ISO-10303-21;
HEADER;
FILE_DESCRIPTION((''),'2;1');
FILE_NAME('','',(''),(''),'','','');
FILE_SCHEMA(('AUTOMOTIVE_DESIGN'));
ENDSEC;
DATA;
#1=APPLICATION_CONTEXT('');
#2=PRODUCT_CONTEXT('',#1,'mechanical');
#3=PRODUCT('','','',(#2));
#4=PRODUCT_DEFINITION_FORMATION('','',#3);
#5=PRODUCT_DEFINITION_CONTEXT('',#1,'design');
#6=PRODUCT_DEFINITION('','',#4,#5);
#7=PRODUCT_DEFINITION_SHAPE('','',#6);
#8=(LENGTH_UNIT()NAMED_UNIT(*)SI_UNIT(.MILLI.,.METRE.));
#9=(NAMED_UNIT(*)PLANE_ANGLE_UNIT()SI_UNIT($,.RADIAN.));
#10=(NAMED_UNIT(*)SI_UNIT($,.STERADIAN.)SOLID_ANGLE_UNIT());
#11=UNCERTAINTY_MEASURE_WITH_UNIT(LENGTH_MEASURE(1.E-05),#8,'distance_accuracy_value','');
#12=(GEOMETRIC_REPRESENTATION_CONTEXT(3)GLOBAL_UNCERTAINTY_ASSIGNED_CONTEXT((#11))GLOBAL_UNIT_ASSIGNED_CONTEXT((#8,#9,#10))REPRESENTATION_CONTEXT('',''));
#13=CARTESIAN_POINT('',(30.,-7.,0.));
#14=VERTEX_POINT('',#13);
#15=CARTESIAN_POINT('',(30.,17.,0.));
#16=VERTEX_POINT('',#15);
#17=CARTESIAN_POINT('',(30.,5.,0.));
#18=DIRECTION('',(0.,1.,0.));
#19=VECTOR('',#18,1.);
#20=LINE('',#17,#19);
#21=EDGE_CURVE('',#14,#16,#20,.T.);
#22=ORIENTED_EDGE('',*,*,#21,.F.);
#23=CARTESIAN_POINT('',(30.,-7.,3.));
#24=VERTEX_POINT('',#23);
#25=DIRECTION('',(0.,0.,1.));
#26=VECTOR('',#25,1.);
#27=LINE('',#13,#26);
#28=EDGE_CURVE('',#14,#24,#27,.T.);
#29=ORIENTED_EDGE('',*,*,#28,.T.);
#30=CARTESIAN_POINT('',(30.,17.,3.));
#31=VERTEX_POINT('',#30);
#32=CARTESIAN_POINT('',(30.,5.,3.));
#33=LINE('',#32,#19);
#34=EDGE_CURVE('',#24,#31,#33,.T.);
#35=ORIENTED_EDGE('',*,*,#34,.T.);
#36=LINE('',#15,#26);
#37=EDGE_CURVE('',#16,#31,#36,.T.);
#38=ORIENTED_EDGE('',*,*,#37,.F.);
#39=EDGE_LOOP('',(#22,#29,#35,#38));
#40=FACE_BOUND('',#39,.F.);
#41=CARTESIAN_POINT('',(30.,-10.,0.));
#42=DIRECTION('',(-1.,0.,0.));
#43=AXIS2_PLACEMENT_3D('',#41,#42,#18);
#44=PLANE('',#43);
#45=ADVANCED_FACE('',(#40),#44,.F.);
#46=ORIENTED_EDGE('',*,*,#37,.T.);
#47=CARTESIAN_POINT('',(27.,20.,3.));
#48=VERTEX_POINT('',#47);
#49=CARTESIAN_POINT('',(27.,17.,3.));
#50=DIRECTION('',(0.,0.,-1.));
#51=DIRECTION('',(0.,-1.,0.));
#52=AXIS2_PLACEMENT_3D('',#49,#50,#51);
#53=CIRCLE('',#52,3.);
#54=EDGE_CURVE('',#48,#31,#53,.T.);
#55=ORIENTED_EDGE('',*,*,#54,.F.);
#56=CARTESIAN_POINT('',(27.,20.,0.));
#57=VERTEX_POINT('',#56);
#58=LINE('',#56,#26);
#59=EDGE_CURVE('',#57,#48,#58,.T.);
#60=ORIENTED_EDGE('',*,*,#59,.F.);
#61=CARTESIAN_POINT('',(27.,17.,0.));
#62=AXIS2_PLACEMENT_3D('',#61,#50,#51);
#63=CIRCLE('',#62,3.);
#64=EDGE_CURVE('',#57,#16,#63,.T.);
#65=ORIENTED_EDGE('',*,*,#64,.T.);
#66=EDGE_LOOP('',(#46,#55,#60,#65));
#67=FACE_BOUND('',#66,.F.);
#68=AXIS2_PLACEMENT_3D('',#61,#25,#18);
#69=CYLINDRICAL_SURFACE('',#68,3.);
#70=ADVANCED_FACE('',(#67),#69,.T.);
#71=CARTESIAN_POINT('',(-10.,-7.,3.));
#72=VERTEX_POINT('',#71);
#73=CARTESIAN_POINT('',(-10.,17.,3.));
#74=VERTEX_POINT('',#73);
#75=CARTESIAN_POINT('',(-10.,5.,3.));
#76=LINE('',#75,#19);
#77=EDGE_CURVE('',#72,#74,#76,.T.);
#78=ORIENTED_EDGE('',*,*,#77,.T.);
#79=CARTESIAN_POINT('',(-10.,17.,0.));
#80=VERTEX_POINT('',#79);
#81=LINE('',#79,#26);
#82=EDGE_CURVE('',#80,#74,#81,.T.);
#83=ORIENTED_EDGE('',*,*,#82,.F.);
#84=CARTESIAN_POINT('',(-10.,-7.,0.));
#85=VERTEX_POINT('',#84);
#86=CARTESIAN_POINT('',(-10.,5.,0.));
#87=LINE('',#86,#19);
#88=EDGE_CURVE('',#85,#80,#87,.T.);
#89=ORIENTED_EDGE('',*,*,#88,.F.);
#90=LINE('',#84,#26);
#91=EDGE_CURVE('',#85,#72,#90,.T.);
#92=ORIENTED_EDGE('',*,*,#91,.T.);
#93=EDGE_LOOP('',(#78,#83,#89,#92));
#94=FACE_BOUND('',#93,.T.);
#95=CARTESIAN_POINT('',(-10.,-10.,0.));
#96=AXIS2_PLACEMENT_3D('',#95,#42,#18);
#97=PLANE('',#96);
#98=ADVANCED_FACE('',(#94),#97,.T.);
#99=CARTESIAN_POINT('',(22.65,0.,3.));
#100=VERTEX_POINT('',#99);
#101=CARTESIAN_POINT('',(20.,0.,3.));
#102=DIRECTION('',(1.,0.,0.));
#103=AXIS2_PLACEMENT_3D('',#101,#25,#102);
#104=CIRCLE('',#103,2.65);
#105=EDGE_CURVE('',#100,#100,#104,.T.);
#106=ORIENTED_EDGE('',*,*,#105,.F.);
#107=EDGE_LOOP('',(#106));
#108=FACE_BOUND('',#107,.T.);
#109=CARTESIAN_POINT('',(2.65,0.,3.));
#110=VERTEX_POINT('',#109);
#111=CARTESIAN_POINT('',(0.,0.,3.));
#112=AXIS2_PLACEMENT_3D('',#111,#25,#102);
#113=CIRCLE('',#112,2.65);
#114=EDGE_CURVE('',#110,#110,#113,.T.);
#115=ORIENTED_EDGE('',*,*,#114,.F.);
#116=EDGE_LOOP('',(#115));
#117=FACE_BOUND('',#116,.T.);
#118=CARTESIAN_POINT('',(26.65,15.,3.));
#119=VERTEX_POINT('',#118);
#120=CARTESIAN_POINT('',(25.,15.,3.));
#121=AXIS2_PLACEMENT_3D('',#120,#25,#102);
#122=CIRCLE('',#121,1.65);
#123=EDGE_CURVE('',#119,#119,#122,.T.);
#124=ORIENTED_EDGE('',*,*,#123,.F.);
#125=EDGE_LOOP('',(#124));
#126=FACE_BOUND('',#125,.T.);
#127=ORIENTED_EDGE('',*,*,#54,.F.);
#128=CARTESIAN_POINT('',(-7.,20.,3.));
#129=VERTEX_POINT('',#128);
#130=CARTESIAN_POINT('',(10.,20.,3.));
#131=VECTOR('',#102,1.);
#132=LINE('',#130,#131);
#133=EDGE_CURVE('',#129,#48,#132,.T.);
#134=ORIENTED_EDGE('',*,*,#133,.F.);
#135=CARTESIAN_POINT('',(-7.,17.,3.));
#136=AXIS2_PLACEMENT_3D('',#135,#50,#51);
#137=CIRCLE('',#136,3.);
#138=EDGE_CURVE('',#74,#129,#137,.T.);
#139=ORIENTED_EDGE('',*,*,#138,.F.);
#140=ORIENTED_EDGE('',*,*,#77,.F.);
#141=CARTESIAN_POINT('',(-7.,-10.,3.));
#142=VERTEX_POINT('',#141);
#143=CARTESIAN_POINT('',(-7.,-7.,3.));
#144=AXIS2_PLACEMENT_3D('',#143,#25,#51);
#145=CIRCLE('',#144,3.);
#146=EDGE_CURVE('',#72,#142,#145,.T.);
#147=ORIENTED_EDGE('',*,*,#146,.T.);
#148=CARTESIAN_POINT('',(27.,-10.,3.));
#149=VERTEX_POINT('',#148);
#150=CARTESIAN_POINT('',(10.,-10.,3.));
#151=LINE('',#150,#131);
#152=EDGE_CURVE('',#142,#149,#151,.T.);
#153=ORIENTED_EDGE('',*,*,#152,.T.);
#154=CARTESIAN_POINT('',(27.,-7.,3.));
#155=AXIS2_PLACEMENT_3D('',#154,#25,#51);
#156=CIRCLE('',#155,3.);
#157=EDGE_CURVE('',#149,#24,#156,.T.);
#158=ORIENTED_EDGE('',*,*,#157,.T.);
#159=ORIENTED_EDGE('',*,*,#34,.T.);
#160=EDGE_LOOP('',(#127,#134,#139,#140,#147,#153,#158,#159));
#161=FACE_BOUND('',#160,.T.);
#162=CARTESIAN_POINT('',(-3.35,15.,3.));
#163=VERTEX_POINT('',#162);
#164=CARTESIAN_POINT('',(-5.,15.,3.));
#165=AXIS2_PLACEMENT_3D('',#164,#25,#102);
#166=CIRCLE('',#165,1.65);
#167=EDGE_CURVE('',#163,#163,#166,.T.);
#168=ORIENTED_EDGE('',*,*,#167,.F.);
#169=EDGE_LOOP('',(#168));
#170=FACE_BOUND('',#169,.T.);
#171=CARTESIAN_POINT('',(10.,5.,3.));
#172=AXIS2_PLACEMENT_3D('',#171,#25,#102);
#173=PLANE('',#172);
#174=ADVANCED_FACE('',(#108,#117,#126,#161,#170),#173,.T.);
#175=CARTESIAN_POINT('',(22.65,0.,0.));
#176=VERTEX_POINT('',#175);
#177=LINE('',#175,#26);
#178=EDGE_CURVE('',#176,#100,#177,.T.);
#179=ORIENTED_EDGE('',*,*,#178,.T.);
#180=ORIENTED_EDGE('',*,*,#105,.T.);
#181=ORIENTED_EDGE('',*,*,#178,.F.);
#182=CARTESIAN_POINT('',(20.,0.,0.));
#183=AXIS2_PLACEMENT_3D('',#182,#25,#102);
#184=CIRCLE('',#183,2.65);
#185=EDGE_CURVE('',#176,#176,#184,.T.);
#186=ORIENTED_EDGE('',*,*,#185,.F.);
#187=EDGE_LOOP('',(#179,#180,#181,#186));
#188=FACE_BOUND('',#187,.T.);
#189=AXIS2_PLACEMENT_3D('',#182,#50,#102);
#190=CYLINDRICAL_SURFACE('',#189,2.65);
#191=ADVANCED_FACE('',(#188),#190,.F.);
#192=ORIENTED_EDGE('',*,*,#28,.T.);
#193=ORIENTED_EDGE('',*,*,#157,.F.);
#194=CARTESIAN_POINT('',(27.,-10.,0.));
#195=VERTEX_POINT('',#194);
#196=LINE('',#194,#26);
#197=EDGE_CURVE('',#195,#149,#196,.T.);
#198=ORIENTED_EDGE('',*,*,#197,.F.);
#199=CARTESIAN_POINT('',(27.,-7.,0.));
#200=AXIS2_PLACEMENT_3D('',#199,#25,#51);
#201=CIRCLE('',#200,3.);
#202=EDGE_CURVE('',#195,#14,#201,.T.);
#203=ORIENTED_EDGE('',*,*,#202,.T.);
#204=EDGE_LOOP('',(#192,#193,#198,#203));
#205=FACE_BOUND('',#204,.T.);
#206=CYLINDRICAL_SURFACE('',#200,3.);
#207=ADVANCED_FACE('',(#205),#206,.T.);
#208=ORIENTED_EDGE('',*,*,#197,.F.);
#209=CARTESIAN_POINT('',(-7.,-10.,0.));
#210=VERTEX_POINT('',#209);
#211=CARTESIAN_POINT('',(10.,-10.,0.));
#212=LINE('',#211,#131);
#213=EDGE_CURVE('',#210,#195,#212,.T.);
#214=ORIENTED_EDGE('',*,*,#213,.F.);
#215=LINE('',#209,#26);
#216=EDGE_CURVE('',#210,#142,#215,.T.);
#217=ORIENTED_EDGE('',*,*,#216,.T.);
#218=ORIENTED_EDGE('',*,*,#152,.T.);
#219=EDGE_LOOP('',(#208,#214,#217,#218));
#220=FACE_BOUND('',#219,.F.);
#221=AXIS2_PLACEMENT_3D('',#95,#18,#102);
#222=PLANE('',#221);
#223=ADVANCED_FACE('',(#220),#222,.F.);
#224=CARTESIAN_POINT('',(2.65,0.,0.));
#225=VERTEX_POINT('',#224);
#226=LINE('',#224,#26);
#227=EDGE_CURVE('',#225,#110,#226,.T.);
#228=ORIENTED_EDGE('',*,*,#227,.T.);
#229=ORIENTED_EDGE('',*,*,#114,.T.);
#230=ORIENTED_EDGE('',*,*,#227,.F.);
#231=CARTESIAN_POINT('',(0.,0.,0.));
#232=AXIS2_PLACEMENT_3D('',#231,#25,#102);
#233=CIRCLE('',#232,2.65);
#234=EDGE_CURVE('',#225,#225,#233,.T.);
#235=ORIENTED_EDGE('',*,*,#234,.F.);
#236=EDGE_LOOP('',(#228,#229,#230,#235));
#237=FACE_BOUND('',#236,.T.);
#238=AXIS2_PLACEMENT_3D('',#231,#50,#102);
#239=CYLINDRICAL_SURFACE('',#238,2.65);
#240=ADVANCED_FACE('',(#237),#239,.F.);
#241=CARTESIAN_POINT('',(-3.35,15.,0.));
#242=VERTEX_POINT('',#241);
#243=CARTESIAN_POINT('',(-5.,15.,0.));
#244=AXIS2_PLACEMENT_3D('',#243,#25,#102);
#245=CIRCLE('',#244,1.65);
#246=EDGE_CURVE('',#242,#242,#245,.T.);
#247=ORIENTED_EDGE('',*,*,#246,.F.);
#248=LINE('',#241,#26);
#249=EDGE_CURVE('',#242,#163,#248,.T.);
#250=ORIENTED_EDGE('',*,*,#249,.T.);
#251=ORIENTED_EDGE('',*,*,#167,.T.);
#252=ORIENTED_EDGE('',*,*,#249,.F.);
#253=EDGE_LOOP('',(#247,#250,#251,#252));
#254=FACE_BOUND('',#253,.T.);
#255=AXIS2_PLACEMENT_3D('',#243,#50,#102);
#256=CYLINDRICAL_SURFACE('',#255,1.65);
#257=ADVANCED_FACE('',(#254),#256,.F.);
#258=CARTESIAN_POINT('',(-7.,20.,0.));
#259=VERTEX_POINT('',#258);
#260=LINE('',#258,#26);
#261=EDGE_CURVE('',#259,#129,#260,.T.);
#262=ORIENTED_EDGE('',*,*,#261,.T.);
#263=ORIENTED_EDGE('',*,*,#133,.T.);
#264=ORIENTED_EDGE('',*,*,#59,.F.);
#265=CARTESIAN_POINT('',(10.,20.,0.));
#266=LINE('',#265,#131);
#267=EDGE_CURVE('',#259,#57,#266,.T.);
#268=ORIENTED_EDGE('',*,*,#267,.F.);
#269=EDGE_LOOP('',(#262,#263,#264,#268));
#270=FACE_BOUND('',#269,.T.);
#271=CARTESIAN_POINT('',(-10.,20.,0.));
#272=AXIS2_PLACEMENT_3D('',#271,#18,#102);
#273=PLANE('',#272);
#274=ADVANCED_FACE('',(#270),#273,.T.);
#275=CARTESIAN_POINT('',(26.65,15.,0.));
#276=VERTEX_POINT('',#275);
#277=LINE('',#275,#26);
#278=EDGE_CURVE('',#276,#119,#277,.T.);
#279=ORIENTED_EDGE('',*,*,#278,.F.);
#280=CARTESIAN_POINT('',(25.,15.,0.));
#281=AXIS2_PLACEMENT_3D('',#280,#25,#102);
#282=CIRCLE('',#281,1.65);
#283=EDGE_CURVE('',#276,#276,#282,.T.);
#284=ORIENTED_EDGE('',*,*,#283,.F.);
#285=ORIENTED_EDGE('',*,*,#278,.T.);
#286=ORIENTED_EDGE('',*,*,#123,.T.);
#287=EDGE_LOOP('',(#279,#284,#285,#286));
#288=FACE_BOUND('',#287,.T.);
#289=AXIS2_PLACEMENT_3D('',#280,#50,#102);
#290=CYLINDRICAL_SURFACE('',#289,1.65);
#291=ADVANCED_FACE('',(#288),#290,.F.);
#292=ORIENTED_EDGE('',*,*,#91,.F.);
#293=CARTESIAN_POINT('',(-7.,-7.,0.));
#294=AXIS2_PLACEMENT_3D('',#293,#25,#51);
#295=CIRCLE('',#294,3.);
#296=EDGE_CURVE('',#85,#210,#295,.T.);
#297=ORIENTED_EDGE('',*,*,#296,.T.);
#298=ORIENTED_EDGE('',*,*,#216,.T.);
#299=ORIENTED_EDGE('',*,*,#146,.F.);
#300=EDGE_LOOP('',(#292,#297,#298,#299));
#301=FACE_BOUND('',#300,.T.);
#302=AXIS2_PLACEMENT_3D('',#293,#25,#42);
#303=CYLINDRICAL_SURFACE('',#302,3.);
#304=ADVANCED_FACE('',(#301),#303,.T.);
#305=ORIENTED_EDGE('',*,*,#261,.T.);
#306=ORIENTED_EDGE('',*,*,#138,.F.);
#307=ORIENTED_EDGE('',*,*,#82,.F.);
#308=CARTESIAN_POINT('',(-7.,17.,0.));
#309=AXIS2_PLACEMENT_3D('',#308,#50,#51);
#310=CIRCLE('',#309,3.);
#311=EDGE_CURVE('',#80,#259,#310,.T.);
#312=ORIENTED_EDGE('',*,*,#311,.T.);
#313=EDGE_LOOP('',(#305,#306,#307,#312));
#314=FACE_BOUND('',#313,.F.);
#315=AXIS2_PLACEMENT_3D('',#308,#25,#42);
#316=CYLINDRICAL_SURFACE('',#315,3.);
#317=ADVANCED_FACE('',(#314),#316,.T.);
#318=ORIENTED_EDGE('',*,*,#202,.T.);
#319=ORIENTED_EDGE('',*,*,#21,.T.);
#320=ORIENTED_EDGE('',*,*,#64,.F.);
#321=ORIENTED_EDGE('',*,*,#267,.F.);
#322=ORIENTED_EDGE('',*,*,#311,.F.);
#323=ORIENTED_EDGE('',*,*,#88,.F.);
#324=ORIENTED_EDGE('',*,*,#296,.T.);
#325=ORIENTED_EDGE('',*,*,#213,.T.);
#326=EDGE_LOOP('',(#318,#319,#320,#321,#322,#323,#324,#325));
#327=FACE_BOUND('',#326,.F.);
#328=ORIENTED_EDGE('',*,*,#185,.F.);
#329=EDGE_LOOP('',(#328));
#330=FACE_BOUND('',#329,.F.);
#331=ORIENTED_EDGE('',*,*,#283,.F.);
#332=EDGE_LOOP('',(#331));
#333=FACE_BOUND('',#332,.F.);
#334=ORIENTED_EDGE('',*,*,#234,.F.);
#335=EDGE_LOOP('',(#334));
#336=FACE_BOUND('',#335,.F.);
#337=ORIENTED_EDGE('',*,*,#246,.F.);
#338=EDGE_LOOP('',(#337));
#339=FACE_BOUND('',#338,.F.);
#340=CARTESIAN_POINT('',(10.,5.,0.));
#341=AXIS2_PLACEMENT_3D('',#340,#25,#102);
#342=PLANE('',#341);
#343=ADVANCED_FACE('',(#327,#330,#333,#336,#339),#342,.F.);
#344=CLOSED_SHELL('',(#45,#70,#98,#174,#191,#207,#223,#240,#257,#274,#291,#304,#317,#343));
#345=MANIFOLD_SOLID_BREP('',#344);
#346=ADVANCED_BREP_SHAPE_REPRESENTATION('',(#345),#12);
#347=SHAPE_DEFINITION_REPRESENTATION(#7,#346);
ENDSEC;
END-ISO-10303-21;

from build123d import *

# Parameters (mm, degrees)
SKETCH_W   = 40
SKETCH_H   = 30
SKETCH_R   = 2.65
SKETCH_R_2 = 1.65
PAD_DEPTH  = 3
FILLET_R   = 3


with BuildPart() as part:
    # Sketch → Pad (new body)
    with BuildSketch(Plane.XY):
        with Locations((10, 5)):
            Rectangle(SKETCH_W, SKETCH_H)
        Circle(SKETCH_R, mode=Mode.SUBTRACT)
        with Locations((20, 0)):
            Circle(SKETCH_R, mode=Mode.SUBTRACT)
        with Locations((-5, 15)):
            Circle(SKETCH_R_2, mode=Mode.SUBTRACT)
        with Locations((25, 15)):
            Circle(SKETCH_R_2, mode=Mode.SUBTRACT)
    extrude(amount=PAD_DEPTH)

    # Fillet
    fillet_edges = [part.edges().sort_by_distance(p)[0] for p in [
        (-10, -10, 1.5),
        (30, -10, 1.5),
        (-10, 20, 1.5),
        (30, 20, 1.5),
    ]]
    fillet(fillet_edges, radius=FILLET_R)


solid = part.part
